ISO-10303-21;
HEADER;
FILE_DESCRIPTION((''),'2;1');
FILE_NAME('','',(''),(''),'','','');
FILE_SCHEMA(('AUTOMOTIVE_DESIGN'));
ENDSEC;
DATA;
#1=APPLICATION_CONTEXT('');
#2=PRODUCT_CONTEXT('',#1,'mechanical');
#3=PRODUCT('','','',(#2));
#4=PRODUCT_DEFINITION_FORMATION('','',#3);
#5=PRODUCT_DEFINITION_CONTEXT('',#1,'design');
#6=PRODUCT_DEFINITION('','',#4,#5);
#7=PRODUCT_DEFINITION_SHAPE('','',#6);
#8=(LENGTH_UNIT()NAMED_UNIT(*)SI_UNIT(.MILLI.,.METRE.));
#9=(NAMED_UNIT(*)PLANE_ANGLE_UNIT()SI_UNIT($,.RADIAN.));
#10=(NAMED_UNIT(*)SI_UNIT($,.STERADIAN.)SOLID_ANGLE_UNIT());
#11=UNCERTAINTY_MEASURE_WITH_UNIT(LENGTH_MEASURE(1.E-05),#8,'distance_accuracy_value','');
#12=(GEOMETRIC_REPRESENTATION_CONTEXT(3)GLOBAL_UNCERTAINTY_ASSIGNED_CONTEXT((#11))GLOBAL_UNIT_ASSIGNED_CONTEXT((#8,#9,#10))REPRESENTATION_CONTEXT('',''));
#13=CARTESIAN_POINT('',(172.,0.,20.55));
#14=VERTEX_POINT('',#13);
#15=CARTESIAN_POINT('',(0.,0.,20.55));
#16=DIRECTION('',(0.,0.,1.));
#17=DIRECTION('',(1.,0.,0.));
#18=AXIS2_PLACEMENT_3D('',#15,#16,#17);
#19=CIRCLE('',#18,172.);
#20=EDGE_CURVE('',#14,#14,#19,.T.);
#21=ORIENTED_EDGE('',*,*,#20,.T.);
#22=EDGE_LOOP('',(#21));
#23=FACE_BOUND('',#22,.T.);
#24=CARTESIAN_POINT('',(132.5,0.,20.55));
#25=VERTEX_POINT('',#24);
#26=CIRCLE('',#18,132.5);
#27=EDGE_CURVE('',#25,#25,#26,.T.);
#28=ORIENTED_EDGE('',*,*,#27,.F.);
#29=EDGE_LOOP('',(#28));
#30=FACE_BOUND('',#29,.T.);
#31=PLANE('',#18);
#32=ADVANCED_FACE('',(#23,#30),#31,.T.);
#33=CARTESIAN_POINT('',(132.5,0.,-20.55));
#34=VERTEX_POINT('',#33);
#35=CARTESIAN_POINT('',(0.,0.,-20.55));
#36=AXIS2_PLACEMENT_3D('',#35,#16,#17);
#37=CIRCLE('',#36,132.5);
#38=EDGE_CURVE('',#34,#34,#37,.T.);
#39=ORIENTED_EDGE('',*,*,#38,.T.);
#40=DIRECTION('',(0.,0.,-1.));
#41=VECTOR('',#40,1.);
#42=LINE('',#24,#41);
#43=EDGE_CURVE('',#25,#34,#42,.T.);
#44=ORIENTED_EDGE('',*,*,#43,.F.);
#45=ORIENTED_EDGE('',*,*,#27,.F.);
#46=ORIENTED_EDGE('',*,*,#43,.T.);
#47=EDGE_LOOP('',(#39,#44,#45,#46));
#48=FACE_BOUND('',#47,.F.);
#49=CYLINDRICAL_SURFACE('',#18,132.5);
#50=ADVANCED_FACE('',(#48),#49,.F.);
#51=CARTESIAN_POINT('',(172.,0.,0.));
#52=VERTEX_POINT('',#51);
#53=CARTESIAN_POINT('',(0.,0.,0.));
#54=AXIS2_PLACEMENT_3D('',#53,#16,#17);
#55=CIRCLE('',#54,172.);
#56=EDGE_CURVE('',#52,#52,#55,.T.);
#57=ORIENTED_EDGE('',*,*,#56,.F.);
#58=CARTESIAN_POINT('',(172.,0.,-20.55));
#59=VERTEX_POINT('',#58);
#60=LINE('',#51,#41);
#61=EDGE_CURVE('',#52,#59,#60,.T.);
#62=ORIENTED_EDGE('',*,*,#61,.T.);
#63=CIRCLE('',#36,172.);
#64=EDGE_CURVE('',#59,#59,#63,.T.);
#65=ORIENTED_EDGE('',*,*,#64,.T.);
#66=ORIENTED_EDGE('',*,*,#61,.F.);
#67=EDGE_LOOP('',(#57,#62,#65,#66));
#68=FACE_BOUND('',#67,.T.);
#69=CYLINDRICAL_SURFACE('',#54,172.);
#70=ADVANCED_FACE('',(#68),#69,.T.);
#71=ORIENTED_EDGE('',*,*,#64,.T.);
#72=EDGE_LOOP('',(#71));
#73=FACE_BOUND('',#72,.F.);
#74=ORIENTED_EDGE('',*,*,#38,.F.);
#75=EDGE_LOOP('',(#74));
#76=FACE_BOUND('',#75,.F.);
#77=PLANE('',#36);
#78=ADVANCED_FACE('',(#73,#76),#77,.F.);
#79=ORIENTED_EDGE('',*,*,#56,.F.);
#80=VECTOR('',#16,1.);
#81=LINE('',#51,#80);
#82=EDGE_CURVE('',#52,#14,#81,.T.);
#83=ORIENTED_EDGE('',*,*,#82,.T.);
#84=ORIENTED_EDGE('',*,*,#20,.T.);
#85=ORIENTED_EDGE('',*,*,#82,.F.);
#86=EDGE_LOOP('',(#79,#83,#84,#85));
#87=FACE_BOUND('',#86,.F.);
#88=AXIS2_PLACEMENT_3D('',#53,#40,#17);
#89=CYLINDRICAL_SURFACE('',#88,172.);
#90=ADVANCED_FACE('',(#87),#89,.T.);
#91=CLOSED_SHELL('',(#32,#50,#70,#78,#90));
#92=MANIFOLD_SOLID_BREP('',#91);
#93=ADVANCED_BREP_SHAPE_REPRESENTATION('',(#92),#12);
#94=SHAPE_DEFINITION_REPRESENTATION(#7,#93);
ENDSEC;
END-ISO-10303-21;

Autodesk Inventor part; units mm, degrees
ref_plane "YZ Plane" through (0, 0, 0) normal (1, 0, 0) x (0, 1, 0)
ref_plane "XZ Plane" through (0, 0, 0) normal (0, 1, 0) x (-1, 0, 0)
ref_plane "XY Plane" through (0, 0, 0) normal (0, 0, 1) x (1, 0, 0)
sketch "Sketch1" plane through (0, 0, 0) normal (0, 0, 1) x (1, 0, 0)
  circle A0 centre (0, 0) radius 172
  dimension "d0" = 344
extrude "Extrusion1" add sketch "Sketch1" along normal mid plane 41.1
sketch "Sketch2" plane through (0, 0, 20.55) normal (0, 0, 1) x (1, 0, 0)
  circle A0 centre (0, 0) radius 132.5
  dimension "d3" = 265
extrude "Extrusion2" cut sketch "Sketch2" against normal through all
properties part number "AGBL03_REV_01"
